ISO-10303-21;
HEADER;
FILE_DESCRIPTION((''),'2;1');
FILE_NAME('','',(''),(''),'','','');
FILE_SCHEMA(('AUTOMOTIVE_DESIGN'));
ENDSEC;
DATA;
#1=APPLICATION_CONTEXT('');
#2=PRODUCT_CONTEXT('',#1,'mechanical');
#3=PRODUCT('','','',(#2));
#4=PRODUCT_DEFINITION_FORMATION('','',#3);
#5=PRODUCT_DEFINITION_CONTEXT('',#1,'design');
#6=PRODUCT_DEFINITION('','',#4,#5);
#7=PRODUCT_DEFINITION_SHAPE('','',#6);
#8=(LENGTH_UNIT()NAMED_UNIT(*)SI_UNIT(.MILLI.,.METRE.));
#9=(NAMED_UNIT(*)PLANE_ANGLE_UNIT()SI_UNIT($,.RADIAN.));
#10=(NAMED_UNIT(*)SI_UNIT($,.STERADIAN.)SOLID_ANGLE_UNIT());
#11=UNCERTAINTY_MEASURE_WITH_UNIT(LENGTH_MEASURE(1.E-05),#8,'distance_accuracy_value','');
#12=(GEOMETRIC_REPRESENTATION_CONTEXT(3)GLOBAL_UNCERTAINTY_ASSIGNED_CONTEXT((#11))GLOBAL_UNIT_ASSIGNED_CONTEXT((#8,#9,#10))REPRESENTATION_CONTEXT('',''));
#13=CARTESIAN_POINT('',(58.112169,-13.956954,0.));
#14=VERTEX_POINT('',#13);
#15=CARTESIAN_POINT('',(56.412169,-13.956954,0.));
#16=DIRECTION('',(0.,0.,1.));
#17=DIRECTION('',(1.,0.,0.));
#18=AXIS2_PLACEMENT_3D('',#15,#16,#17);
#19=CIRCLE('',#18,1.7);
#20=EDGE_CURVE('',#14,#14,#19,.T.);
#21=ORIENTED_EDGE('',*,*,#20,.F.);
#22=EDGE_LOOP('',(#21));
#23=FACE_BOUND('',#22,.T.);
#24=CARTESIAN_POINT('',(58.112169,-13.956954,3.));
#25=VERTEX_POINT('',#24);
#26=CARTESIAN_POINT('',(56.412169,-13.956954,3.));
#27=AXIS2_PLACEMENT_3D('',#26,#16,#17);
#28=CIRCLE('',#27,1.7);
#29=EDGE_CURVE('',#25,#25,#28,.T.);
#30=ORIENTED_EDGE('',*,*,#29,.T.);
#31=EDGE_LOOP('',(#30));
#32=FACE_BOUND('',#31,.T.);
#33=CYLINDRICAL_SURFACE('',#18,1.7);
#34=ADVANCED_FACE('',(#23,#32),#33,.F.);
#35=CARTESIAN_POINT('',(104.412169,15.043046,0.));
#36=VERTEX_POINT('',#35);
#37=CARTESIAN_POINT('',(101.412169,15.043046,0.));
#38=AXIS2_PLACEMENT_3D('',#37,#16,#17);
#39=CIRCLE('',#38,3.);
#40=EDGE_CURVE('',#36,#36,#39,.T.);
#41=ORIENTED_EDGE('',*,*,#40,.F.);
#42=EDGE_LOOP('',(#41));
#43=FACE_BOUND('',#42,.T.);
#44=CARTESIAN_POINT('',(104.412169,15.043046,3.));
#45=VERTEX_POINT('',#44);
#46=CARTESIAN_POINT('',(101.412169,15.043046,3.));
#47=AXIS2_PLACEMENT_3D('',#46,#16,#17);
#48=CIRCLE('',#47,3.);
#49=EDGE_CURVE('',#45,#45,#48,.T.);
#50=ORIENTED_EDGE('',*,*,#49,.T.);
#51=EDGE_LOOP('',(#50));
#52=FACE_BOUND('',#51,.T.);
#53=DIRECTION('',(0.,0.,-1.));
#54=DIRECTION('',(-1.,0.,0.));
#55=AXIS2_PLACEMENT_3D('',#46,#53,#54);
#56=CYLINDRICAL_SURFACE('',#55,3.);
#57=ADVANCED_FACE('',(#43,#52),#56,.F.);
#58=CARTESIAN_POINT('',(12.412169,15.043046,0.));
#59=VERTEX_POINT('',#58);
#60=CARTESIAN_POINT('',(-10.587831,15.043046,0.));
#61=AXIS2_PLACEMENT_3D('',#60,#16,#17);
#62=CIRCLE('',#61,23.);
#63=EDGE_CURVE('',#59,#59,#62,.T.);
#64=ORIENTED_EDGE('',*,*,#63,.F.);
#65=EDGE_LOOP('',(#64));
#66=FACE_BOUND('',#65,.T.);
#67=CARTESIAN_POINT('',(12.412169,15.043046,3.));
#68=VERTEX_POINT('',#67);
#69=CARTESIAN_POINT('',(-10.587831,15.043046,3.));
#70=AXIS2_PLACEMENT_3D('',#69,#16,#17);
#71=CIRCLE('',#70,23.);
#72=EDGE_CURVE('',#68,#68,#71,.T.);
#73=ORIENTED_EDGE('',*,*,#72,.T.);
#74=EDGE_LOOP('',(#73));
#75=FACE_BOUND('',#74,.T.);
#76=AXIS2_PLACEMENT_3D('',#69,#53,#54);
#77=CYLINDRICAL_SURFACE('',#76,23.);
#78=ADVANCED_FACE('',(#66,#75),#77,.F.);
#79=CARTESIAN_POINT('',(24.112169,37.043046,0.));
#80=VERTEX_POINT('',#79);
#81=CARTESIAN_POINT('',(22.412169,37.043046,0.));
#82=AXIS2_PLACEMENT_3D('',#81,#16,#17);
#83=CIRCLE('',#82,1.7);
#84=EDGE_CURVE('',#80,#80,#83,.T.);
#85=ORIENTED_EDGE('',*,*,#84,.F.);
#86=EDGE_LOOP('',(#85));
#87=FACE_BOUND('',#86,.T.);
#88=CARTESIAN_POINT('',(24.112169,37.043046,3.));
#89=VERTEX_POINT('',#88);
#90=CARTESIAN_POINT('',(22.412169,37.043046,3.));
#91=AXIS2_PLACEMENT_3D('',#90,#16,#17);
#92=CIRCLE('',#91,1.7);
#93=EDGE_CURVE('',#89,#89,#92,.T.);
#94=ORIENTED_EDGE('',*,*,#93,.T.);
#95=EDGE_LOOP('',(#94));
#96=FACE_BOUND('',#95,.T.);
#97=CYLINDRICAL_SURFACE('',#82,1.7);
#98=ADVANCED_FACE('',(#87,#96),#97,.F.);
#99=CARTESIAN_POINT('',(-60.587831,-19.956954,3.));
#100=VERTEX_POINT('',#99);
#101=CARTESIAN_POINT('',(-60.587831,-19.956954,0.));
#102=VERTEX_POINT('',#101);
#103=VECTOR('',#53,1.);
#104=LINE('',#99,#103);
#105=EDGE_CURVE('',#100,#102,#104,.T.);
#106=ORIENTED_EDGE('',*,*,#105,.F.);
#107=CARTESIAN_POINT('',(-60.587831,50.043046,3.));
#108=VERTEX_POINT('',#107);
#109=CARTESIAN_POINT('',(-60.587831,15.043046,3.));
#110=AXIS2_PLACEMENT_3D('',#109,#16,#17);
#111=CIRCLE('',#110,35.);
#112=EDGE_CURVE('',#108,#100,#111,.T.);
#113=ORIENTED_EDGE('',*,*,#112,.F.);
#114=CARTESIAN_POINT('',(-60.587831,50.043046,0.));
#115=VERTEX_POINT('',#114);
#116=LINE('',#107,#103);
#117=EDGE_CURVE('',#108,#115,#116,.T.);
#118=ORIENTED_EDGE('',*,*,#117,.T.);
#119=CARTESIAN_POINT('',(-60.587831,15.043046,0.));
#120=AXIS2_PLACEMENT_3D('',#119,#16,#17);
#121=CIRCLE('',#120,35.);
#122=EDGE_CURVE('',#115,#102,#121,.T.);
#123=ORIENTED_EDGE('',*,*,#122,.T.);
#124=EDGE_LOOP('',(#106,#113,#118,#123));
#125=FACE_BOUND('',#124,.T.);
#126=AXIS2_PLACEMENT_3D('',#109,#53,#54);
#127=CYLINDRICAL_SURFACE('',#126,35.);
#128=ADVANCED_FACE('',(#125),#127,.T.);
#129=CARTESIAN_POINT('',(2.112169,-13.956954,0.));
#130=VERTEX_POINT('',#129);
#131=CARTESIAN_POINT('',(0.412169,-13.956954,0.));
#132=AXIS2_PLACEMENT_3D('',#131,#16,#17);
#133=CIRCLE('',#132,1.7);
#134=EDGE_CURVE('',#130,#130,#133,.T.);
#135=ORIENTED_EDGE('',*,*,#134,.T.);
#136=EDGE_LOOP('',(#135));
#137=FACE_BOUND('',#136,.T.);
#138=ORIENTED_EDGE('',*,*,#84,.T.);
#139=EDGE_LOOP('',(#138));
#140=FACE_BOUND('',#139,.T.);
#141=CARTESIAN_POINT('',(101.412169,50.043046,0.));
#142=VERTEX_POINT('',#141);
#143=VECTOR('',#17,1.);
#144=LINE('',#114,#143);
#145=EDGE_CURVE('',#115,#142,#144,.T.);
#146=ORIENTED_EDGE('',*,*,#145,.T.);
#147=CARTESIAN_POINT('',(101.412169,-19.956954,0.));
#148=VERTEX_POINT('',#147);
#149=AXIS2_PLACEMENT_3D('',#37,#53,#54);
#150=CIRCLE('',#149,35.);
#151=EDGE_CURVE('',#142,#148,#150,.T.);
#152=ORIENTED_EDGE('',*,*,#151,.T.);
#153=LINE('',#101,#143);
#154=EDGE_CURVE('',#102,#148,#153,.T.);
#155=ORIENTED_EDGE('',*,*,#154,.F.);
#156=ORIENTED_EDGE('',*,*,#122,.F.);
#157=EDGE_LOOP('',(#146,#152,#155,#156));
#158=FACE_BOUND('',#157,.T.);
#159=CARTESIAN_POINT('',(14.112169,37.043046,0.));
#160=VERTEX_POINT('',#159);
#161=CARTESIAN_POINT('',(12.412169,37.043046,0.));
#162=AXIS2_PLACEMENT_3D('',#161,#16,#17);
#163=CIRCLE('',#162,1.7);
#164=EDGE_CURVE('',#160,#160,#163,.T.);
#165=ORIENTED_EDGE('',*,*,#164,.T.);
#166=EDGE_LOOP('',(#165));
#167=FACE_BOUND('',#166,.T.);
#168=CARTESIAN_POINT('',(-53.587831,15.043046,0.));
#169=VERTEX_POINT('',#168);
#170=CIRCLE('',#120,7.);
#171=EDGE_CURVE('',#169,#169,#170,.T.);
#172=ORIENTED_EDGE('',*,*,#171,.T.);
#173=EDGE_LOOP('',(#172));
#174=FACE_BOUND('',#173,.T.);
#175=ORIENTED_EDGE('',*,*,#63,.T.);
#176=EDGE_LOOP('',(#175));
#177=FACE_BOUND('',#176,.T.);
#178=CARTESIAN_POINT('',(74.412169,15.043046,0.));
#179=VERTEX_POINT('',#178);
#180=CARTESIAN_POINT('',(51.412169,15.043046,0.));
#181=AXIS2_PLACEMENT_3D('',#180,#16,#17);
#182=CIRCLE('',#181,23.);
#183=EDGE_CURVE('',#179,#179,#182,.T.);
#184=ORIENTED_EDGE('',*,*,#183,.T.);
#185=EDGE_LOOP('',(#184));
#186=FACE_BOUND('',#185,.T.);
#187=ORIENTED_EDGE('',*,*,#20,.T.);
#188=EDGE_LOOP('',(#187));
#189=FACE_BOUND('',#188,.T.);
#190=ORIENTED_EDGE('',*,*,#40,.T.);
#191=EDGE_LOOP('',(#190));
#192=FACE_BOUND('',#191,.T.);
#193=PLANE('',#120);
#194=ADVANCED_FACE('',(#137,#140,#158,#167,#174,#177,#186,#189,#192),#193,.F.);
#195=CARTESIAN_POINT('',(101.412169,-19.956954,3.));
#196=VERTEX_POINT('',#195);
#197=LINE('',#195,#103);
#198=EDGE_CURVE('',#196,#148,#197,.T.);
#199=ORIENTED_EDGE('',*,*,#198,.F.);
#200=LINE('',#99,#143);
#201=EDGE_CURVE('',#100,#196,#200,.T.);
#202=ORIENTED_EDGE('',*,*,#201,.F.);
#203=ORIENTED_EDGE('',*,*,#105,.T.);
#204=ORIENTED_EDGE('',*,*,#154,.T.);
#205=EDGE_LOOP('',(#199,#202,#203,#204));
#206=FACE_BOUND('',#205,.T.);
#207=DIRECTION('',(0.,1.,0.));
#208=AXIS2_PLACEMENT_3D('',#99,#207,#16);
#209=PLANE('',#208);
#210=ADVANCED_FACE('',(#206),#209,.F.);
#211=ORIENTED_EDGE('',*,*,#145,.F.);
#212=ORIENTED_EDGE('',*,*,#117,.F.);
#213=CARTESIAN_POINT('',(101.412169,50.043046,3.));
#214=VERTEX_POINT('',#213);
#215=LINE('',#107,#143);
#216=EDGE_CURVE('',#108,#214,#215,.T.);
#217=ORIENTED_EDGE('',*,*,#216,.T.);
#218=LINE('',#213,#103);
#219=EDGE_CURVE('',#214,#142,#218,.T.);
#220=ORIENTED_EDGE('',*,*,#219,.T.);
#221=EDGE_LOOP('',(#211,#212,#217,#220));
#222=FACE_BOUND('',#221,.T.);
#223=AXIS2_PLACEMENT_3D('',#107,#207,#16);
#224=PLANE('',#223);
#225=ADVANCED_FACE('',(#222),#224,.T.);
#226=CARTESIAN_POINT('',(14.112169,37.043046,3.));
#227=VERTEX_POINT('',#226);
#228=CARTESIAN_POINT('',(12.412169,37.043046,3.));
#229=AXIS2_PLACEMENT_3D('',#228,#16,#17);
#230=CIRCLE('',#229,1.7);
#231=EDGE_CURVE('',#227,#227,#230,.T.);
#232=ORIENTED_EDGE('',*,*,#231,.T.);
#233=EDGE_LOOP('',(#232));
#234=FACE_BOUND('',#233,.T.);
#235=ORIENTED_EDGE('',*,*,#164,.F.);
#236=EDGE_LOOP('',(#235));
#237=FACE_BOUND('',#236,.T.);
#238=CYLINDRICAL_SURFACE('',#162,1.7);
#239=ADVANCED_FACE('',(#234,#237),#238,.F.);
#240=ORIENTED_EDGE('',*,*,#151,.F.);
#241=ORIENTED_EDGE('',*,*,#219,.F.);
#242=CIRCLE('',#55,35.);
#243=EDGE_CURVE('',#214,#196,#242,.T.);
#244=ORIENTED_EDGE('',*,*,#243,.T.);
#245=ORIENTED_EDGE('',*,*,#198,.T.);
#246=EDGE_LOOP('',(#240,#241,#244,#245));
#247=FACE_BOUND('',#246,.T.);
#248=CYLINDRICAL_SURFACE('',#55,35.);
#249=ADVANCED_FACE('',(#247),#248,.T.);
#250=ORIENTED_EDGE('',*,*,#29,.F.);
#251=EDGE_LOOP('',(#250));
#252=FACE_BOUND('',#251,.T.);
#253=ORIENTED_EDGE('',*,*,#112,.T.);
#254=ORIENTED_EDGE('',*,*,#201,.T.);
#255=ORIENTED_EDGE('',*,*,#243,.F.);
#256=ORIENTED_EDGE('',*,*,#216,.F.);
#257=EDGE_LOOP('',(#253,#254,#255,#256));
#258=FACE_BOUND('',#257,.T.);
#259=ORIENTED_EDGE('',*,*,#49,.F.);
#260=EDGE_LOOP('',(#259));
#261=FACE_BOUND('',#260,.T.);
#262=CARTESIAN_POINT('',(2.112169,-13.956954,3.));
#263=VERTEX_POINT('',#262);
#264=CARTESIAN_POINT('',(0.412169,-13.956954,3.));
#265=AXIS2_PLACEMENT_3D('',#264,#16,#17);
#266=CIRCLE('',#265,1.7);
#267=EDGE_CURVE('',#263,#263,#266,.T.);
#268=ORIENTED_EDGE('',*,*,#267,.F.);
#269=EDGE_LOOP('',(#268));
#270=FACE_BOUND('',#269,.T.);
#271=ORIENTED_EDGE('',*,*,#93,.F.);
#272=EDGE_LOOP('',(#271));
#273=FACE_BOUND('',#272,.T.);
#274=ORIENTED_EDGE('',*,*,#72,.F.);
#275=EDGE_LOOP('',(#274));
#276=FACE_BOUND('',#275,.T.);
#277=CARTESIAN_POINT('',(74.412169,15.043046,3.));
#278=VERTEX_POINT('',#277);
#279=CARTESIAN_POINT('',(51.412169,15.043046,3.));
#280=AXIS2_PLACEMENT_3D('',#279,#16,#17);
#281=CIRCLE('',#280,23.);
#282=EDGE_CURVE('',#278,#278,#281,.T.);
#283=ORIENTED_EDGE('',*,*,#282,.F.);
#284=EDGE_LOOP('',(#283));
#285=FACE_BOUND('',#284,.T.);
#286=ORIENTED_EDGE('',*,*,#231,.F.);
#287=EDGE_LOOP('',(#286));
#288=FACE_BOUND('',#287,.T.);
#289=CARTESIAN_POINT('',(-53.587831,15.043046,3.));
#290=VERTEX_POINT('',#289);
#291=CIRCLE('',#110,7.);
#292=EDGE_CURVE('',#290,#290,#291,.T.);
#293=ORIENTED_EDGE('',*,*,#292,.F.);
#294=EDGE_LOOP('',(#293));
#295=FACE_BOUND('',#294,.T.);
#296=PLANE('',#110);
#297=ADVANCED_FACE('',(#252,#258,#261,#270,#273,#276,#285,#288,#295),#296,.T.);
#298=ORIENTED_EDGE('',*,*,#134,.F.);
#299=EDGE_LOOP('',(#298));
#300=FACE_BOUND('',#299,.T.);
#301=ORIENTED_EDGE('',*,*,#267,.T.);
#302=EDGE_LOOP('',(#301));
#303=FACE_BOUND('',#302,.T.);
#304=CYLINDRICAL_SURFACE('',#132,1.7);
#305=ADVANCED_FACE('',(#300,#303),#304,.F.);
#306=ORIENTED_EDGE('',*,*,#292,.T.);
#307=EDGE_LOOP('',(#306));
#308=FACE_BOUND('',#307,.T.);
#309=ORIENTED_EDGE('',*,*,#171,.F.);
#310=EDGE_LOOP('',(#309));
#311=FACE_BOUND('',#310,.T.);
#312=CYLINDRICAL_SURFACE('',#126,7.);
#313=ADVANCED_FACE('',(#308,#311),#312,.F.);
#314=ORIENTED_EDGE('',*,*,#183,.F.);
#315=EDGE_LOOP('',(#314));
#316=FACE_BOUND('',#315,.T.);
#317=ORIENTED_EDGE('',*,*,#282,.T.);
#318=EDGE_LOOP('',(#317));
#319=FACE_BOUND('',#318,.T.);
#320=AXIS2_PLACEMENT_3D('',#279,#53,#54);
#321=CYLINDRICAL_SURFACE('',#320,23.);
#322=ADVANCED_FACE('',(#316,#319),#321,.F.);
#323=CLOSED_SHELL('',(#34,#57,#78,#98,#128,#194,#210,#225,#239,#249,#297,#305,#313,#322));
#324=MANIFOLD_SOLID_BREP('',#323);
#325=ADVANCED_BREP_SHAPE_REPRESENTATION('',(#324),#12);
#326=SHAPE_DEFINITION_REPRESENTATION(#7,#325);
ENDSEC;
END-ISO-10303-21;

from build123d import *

# Parameters (mm, degrees)
ESQUISSE2_R                = 7
ESQUISSE2_R_2              = 3
ESQUISSE2_R_3              = 23
BASE_EXTRUSION_DEPTH       = 3
ESQUISSE9_R                = 1.7
ENL_V_MAT_EXTRU_2_DEPTH    = 146.332674598
R_P_TITION_LIN_AIRE1_COUNT = 2
R_P_TITION_LIN_AIRE1_PITCH = 10
ESQUISSE10_R               = 1.7
ENL_V_MAT_EXTRU_3_DEPTH    = 146.332674598
R_P_TITION_LIN_AIRE2_COUNT = 2
R_P_TITION_LIN_AIRE2_PITCH = 56


with BuildPart() as part:
    # Esquisse2 → Base-Extrusion (new body)
    with BuildSketch(Plane.XY):
        with BuildLine():
            Line((-60.587831126, 50.043046358), (101.412168874, 50.043046358))
            ThreePointArc((101.412168874, 50.043046358), (136.412168874, 15.043046358), (101.412168874, -19.956953642))
            Line((101.412168874, -19.956953642), (-60.587831126, -19.956953642))
            ThreePointArc((-60.587831126, -19.956953642), (-95.587831126, 15.043046358), (-60.587831126, 50.043046358))
        make_face()
        with Locations((-60.587831126, 15.043046358)):
            Circle(ESQUISSE2_R, mode=Mode.SUBTRACT)
        with Locations((101.412168874, 15.043046358)):
            Circle(ESQUISSE2_R_2, mode=Mode.SUBTRACT)
        with Locations((51.412168874, 15.043046358)):
            Circle(ESQUISSE2_R_3, mode=Mode.SUBTRACT)
        with Locations((-10.587831126, 15.043046358)):
            Circle(ESQUISSE2_R_3, mode=Mode.SUBTRACT)
    extrude(amount=BASE_EXTRUSION_DEPTH)

    # Esquisse9 → Enlèv. mat.-Extru.2 (cut, through all)
    with BuildSketch(Plane.XY.offset(3)):
        with Locations((12.412168874, 37.043046358)):
            Circle(ESQUISSE9_R)
    enl_v_mat_extru_2 = extrude(amount=-ENL_V_MAT_EXTRU_2_DEPTH, mode=Mode.SUBTRACT)

    # Répétition linéaire1: Enlèv. mat.-Extru.2 ×2
    with Locations(*[(i * R_P_TITION_LIN_AIRE1_PITCH, 0, 0) for i in range(1, R_P_TITION_LIN_AIRE1_COUNT)]):
        add(enl_v_mat_extru_2, mode=Mode.SUBTRACT)

    # Esquisse10 → Enlèv. mat.-Extru.3 (cut, through all)
    with BuildSketch(Plane.XY.offset(3)):
        with Locations((0.412168874, -13.956953642)):
            Circle(ESQUISSE10_R)
    enl_v_mat_extru_3 = extrude(amount=-ENL_V_MAT_EXTRU_3_DEPTH, mode=Mode.SUBTRACT)

    # Répétition linéaire2: Enlèv. mat.-Extru.3 ×2
    with Locations(*[(i * R_P_TITION_LIN_AIRE2_PITCH, 0, 0) for i in range(1, R_P_TITION_LIN_AIRE2_COUNT)]):
        add(enl_v_mat_extru_3, mode=Mode.SUBTRACT)


solid = part.part
